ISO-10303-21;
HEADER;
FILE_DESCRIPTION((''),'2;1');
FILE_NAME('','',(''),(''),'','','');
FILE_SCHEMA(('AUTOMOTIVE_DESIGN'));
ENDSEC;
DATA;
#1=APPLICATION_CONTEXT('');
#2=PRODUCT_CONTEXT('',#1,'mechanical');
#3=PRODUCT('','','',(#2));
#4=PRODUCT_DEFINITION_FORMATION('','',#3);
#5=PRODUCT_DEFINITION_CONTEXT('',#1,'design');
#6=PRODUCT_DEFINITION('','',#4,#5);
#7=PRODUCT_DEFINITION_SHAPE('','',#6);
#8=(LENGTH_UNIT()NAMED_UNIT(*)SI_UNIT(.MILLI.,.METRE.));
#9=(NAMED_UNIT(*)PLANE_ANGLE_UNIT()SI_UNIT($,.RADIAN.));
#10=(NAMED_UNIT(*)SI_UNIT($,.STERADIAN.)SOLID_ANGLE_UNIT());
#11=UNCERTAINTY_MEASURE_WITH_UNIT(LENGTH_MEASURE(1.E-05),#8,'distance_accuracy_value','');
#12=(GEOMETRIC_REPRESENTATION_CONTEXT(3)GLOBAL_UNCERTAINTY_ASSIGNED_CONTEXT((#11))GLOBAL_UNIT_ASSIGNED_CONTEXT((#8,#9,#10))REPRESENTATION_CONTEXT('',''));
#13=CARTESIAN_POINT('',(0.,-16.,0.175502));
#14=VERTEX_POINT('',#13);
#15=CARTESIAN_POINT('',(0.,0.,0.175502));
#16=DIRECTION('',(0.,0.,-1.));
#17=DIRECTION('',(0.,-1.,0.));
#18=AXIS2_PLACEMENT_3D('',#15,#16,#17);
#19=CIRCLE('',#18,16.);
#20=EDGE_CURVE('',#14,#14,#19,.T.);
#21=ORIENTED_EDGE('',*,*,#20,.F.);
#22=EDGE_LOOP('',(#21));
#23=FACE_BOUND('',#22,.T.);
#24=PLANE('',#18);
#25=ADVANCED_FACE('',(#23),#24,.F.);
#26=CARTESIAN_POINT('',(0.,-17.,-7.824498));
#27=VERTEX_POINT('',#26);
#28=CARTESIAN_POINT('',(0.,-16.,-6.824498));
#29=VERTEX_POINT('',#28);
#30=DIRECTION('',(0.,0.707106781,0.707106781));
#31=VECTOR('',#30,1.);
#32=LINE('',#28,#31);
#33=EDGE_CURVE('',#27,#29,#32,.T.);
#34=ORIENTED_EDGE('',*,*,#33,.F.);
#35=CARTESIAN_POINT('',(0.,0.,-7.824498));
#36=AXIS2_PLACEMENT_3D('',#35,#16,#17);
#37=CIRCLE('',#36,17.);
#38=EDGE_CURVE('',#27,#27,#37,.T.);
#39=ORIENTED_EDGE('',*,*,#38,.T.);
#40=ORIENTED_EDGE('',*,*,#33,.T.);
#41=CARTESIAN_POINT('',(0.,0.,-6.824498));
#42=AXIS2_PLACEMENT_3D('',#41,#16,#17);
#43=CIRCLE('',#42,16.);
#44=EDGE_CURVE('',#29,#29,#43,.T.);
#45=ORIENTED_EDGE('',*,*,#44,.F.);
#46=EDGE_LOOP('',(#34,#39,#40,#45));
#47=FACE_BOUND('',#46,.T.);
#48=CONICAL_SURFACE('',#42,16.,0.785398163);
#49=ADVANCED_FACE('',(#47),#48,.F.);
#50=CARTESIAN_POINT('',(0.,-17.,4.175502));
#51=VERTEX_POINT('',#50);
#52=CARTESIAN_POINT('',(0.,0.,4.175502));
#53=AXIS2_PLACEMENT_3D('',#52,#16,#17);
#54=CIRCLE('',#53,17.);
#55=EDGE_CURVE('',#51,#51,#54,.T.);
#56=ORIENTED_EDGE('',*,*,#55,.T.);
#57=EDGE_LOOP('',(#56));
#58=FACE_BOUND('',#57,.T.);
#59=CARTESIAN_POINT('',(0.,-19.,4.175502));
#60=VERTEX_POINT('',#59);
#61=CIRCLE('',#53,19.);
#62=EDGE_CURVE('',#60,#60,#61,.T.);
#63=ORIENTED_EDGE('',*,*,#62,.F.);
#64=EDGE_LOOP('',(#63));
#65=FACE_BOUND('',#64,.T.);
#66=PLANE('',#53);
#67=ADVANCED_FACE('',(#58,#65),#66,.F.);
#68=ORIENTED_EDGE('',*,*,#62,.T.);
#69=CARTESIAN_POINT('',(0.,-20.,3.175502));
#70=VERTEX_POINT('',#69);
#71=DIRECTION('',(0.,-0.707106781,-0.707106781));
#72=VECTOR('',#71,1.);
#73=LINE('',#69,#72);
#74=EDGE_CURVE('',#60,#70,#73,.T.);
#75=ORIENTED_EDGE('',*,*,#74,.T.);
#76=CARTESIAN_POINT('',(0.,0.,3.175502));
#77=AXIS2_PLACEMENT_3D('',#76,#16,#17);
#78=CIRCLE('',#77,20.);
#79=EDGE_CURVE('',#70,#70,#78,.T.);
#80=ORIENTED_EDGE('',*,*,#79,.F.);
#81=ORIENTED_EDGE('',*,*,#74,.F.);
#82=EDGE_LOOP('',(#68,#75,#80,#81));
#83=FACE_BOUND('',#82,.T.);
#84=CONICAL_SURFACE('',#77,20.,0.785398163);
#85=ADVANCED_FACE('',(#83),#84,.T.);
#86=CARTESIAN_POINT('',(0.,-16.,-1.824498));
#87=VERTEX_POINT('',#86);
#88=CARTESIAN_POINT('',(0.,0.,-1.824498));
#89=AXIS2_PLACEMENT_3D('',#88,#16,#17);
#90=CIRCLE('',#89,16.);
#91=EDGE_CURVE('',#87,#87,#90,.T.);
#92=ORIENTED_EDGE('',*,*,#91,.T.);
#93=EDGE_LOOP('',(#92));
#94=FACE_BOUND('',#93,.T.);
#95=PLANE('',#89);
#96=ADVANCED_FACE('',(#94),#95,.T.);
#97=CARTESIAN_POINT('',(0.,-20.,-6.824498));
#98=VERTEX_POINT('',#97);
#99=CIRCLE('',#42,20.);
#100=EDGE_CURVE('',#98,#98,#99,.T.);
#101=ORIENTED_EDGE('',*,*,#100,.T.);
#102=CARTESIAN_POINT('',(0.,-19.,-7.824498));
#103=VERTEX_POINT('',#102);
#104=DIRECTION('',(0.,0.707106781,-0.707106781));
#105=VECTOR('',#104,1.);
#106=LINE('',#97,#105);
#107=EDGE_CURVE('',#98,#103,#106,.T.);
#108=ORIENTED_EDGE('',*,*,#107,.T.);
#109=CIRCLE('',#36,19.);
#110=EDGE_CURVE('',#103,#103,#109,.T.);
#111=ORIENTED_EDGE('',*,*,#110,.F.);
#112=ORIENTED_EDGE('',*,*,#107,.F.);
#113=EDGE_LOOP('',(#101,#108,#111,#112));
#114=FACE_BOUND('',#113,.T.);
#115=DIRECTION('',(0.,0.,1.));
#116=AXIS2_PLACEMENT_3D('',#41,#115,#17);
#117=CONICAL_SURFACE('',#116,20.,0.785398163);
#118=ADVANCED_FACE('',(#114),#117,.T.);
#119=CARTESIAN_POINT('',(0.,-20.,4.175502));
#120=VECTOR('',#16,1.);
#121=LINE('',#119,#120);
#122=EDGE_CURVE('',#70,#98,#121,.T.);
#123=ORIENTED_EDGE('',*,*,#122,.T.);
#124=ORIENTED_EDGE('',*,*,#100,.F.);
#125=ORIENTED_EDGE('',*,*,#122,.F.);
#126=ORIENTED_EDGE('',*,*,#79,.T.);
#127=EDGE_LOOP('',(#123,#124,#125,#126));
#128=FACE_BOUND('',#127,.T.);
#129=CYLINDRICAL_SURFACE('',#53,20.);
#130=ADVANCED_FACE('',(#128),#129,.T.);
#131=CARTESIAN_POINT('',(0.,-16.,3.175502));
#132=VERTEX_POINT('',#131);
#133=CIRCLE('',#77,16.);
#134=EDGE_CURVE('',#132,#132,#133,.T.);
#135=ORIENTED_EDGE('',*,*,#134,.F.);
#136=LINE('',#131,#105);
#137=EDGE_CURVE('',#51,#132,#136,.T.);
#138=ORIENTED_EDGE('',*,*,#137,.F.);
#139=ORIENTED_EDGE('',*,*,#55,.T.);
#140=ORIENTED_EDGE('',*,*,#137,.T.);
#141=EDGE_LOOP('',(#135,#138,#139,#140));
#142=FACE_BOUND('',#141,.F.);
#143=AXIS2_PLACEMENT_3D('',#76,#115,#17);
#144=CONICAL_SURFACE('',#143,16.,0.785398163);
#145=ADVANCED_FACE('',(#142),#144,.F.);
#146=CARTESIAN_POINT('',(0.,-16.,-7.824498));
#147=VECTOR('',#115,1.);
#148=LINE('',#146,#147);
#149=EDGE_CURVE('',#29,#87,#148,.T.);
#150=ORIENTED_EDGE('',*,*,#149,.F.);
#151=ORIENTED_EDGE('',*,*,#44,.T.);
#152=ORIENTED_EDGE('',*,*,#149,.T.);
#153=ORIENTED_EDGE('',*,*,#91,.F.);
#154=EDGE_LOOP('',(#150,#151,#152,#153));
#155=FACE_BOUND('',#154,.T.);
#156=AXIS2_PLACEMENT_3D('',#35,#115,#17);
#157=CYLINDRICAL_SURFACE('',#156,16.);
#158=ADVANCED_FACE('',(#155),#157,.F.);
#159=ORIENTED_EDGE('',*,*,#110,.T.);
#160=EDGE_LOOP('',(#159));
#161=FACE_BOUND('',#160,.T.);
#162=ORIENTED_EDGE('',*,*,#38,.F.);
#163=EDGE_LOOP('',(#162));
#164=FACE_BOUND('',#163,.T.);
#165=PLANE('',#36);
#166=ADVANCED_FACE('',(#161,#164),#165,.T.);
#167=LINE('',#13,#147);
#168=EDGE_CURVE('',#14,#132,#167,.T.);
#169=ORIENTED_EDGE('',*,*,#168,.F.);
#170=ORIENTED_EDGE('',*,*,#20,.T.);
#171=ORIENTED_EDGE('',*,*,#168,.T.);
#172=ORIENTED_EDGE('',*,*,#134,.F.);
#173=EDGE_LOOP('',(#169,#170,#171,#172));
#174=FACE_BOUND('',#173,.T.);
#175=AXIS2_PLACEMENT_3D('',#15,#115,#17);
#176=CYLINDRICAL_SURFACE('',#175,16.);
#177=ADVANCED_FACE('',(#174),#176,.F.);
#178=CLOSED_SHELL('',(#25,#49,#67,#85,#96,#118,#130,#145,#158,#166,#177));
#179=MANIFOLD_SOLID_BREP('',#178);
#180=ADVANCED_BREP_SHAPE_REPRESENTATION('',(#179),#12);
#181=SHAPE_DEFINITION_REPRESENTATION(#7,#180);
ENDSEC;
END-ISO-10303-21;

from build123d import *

# Parameters (mm, degrees)
F2_SIZE = 1


with BuildPart() as f1:
    # F0 (on Right) → F1 (revolve)
    with BuildSketch(Plane.YZ):
        Polygon((-16, 4.175502), (-20, 4.175502), (-20, -7.824498), (-16, -7.824498), (-16, -1.824498), (0, -1.824498), (0, 0.175502), (-16, 0.175502), align=None)
    revolve(axis=Axis((0, 0, -1.638931), (0, 0, -1)))

    # F2
    f2_edges = [f1.edges().sort_by_distance(p)[0] for p in [
        (0, 16, 4.175502),
        (0, 20, 4.175502),
        (0, 20, -7.824498),
        (0, 16, -7.824498),
    ]]
    chamfer(f2_edges, length=F2_SIZE)


solid = f1.part
